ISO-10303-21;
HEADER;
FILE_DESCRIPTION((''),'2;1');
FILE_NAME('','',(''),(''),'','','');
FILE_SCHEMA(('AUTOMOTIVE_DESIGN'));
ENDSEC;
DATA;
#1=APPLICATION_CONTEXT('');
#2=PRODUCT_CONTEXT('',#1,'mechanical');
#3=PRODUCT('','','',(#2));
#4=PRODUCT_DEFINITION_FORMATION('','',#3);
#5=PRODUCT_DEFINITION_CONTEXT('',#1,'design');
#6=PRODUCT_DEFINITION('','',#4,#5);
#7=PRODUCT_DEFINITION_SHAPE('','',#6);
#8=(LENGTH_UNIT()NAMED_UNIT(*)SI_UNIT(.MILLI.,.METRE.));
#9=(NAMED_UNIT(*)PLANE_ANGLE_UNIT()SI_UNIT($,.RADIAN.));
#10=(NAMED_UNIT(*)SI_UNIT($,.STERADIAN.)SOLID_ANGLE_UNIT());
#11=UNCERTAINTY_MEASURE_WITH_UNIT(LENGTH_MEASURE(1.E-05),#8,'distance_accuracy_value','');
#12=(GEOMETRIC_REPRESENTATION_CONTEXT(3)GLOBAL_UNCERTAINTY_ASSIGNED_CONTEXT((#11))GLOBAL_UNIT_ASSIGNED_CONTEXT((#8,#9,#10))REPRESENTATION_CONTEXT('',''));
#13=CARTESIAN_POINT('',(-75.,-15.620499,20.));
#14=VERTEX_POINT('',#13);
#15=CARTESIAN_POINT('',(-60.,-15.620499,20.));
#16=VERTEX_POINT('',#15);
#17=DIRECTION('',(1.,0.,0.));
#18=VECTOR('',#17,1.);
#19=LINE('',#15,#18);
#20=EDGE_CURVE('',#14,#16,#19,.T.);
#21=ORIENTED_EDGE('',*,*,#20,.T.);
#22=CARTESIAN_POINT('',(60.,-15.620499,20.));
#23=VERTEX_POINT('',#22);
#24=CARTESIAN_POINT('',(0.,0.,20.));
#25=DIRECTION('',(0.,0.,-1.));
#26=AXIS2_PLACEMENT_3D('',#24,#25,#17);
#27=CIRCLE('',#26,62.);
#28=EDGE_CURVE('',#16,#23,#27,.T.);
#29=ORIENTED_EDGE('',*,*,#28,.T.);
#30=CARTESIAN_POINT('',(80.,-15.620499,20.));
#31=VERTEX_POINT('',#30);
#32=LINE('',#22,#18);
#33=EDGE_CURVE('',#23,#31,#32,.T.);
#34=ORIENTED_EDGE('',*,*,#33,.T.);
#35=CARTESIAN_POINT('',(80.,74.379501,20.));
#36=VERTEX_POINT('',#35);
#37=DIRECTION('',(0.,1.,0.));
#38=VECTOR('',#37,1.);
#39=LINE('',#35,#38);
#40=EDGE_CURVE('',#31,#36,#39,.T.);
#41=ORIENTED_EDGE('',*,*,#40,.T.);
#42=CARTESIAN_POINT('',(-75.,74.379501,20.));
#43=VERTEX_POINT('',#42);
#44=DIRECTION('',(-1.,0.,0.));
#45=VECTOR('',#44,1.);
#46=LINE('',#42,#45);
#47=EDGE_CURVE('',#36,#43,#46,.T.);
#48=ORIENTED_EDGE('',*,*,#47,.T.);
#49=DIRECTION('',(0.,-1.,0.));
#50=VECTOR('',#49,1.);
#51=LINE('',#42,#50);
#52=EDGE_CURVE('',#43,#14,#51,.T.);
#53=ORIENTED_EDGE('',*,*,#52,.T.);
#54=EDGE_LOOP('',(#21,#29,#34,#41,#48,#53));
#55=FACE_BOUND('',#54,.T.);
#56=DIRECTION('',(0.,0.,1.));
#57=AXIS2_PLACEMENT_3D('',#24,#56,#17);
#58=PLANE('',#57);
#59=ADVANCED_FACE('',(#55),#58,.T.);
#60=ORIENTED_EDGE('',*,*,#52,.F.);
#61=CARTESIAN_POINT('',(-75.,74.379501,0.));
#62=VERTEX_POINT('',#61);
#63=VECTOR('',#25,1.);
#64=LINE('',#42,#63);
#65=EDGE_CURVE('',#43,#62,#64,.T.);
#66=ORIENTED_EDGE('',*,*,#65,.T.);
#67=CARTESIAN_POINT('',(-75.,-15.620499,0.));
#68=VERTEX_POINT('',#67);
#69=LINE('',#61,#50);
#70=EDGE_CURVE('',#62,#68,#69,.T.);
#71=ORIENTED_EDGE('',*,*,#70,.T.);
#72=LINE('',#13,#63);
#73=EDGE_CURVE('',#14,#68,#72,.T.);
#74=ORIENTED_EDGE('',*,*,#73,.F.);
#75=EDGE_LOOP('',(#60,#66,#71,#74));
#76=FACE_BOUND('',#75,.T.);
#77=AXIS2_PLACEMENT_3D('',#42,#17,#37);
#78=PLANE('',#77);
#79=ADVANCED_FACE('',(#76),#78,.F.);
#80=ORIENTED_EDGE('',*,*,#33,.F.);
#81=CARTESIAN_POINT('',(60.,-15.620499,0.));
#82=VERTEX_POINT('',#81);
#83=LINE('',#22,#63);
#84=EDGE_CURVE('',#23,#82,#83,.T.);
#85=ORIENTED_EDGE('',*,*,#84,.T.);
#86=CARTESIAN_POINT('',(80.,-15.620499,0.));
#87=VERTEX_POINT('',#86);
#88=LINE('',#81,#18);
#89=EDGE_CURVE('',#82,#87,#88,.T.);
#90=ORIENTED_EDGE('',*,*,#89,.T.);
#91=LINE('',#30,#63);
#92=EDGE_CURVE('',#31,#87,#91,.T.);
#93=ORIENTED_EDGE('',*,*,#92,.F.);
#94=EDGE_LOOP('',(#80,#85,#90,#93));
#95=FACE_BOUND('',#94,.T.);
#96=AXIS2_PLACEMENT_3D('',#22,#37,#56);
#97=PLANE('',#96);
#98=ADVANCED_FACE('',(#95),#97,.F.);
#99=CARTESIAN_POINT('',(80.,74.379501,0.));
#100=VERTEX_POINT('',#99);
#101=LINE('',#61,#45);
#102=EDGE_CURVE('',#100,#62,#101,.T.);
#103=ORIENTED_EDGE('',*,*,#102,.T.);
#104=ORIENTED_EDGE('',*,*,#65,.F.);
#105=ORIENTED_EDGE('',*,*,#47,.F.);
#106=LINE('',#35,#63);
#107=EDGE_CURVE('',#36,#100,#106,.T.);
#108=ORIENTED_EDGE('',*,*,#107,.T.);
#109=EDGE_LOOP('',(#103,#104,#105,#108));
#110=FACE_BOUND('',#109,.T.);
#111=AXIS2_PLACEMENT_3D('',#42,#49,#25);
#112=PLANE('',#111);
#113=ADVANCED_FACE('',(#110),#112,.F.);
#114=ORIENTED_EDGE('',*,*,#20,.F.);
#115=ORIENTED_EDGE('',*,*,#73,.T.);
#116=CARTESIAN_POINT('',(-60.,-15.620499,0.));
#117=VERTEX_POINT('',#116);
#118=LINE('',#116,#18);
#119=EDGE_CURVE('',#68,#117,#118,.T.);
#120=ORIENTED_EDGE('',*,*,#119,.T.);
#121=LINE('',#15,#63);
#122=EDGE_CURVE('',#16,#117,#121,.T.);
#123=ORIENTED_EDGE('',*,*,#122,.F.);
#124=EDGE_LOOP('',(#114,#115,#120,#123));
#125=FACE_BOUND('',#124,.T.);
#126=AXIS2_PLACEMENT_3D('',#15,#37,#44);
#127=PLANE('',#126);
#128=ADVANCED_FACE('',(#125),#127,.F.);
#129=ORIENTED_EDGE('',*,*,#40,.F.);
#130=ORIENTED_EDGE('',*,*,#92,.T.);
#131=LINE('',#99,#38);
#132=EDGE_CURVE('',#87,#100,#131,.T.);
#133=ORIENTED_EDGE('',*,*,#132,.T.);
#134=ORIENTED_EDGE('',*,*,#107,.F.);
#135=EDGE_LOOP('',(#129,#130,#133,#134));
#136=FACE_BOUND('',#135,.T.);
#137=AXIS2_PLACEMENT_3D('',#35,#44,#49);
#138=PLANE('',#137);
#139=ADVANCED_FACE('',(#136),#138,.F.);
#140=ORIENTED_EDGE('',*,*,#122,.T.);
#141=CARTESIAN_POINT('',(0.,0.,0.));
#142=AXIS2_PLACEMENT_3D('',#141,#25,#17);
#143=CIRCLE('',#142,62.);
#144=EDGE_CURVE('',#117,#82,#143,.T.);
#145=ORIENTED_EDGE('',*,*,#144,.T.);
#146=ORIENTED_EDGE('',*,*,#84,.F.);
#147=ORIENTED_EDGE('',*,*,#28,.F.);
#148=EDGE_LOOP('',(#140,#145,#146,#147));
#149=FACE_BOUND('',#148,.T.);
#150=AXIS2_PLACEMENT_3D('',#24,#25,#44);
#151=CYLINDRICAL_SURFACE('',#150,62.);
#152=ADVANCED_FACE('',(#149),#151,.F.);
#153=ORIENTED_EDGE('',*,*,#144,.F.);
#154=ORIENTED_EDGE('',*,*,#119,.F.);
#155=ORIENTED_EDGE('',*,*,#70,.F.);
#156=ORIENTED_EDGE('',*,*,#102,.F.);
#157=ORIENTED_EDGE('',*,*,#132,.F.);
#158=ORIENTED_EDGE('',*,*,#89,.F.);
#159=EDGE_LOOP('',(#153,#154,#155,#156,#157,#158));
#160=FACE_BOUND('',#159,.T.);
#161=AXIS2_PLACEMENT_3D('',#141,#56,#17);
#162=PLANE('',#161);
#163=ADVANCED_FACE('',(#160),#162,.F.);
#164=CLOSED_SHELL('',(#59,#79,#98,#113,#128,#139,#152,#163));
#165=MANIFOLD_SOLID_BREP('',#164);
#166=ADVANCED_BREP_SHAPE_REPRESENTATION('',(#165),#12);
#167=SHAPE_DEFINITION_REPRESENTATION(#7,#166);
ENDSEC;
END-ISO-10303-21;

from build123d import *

# Parameters (mm, degrees)
BOSS_EXTRUDE1_DEPTH = 20


with BuildPart() as part:
    # Sketch1 → Boss-Extrude1 (new body)
    with BuildSketch(Plane.XY):
        with BuildLine():
            Line((-75, 74.379500648), (-75, -15.620499352))
            Line((-75, -15.620499352), (-60, -15.620499352))
            ThreePointArc((-60, -15.620499352), (0, 62), (60, -15.620499352))
            Line((60, -15.620499352), (80, -15.620499352))
            Line((80, -15.620499352), (80, 74.379500648))
            Line((80, 74.379500648), (-75, 74.379500648))
        make_face()
    extrude(amount=BOSS_EXTRUDE1_DEPTH)


solid = part.part
